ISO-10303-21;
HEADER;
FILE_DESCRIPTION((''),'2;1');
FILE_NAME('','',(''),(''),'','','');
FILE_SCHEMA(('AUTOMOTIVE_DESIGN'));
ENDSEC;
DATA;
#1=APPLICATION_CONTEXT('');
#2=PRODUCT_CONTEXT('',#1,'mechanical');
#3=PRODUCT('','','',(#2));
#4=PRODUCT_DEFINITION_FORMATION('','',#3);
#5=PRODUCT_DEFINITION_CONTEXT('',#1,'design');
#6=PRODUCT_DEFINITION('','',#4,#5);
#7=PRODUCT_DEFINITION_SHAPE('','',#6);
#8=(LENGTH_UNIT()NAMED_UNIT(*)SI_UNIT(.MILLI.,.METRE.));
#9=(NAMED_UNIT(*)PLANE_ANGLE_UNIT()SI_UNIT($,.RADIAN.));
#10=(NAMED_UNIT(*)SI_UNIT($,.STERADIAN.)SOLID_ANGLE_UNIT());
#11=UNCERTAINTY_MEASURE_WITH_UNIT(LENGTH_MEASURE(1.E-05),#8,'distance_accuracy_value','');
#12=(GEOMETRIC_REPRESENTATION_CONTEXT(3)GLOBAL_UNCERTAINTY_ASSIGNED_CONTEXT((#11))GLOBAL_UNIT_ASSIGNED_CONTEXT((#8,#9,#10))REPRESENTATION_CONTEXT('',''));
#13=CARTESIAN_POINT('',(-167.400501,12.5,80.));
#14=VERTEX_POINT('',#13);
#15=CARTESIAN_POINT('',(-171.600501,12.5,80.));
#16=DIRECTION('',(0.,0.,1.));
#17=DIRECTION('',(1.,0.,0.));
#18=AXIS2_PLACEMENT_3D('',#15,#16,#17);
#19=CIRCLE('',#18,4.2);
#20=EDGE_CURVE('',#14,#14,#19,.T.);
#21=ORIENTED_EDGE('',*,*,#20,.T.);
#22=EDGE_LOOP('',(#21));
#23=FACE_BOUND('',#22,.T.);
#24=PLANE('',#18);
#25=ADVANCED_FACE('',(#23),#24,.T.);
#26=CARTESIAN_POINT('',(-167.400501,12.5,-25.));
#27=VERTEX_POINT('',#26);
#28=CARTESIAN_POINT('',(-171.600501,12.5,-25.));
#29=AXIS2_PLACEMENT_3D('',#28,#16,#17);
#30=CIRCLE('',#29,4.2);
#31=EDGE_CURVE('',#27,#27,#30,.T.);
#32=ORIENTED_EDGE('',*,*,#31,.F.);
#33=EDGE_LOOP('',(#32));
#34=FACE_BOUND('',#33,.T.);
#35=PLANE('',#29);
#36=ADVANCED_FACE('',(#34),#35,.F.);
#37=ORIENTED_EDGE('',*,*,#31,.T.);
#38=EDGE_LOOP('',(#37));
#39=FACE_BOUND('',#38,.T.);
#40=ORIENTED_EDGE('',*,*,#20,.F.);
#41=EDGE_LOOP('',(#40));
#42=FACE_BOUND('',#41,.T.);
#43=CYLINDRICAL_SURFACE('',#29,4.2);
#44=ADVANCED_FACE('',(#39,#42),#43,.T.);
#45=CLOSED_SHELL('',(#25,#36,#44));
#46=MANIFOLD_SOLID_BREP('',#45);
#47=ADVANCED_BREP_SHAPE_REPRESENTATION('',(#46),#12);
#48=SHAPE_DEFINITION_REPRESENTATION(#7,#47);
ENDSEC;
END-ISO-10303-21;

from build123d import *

# Parameters (mm, degrees)
BOSS_EXTRUDE1_DEPTH      = 80
BOSS_EXTRUDE1_DEPTH_BACK = 25
SKETCH1_R                = 4.2


with BuildPart() as part:
    # Sketch1 → Boss-Extrude1 (new, two sides: drawn at the far end of the back side and taken through both)
    with BuildSketch(Plane.XY.offset(-BOSS_EXTRUDE1_DEPTH_BACK)):
        with Locations((-171.600500868, 12.5)):
            Circle(SKETCH1_R)
    extrude(amount=BOSS_EXTRUDE1_DEPTH + BOSS_EXTRUDE1_DEPTH_BACK)


solid = part.part
